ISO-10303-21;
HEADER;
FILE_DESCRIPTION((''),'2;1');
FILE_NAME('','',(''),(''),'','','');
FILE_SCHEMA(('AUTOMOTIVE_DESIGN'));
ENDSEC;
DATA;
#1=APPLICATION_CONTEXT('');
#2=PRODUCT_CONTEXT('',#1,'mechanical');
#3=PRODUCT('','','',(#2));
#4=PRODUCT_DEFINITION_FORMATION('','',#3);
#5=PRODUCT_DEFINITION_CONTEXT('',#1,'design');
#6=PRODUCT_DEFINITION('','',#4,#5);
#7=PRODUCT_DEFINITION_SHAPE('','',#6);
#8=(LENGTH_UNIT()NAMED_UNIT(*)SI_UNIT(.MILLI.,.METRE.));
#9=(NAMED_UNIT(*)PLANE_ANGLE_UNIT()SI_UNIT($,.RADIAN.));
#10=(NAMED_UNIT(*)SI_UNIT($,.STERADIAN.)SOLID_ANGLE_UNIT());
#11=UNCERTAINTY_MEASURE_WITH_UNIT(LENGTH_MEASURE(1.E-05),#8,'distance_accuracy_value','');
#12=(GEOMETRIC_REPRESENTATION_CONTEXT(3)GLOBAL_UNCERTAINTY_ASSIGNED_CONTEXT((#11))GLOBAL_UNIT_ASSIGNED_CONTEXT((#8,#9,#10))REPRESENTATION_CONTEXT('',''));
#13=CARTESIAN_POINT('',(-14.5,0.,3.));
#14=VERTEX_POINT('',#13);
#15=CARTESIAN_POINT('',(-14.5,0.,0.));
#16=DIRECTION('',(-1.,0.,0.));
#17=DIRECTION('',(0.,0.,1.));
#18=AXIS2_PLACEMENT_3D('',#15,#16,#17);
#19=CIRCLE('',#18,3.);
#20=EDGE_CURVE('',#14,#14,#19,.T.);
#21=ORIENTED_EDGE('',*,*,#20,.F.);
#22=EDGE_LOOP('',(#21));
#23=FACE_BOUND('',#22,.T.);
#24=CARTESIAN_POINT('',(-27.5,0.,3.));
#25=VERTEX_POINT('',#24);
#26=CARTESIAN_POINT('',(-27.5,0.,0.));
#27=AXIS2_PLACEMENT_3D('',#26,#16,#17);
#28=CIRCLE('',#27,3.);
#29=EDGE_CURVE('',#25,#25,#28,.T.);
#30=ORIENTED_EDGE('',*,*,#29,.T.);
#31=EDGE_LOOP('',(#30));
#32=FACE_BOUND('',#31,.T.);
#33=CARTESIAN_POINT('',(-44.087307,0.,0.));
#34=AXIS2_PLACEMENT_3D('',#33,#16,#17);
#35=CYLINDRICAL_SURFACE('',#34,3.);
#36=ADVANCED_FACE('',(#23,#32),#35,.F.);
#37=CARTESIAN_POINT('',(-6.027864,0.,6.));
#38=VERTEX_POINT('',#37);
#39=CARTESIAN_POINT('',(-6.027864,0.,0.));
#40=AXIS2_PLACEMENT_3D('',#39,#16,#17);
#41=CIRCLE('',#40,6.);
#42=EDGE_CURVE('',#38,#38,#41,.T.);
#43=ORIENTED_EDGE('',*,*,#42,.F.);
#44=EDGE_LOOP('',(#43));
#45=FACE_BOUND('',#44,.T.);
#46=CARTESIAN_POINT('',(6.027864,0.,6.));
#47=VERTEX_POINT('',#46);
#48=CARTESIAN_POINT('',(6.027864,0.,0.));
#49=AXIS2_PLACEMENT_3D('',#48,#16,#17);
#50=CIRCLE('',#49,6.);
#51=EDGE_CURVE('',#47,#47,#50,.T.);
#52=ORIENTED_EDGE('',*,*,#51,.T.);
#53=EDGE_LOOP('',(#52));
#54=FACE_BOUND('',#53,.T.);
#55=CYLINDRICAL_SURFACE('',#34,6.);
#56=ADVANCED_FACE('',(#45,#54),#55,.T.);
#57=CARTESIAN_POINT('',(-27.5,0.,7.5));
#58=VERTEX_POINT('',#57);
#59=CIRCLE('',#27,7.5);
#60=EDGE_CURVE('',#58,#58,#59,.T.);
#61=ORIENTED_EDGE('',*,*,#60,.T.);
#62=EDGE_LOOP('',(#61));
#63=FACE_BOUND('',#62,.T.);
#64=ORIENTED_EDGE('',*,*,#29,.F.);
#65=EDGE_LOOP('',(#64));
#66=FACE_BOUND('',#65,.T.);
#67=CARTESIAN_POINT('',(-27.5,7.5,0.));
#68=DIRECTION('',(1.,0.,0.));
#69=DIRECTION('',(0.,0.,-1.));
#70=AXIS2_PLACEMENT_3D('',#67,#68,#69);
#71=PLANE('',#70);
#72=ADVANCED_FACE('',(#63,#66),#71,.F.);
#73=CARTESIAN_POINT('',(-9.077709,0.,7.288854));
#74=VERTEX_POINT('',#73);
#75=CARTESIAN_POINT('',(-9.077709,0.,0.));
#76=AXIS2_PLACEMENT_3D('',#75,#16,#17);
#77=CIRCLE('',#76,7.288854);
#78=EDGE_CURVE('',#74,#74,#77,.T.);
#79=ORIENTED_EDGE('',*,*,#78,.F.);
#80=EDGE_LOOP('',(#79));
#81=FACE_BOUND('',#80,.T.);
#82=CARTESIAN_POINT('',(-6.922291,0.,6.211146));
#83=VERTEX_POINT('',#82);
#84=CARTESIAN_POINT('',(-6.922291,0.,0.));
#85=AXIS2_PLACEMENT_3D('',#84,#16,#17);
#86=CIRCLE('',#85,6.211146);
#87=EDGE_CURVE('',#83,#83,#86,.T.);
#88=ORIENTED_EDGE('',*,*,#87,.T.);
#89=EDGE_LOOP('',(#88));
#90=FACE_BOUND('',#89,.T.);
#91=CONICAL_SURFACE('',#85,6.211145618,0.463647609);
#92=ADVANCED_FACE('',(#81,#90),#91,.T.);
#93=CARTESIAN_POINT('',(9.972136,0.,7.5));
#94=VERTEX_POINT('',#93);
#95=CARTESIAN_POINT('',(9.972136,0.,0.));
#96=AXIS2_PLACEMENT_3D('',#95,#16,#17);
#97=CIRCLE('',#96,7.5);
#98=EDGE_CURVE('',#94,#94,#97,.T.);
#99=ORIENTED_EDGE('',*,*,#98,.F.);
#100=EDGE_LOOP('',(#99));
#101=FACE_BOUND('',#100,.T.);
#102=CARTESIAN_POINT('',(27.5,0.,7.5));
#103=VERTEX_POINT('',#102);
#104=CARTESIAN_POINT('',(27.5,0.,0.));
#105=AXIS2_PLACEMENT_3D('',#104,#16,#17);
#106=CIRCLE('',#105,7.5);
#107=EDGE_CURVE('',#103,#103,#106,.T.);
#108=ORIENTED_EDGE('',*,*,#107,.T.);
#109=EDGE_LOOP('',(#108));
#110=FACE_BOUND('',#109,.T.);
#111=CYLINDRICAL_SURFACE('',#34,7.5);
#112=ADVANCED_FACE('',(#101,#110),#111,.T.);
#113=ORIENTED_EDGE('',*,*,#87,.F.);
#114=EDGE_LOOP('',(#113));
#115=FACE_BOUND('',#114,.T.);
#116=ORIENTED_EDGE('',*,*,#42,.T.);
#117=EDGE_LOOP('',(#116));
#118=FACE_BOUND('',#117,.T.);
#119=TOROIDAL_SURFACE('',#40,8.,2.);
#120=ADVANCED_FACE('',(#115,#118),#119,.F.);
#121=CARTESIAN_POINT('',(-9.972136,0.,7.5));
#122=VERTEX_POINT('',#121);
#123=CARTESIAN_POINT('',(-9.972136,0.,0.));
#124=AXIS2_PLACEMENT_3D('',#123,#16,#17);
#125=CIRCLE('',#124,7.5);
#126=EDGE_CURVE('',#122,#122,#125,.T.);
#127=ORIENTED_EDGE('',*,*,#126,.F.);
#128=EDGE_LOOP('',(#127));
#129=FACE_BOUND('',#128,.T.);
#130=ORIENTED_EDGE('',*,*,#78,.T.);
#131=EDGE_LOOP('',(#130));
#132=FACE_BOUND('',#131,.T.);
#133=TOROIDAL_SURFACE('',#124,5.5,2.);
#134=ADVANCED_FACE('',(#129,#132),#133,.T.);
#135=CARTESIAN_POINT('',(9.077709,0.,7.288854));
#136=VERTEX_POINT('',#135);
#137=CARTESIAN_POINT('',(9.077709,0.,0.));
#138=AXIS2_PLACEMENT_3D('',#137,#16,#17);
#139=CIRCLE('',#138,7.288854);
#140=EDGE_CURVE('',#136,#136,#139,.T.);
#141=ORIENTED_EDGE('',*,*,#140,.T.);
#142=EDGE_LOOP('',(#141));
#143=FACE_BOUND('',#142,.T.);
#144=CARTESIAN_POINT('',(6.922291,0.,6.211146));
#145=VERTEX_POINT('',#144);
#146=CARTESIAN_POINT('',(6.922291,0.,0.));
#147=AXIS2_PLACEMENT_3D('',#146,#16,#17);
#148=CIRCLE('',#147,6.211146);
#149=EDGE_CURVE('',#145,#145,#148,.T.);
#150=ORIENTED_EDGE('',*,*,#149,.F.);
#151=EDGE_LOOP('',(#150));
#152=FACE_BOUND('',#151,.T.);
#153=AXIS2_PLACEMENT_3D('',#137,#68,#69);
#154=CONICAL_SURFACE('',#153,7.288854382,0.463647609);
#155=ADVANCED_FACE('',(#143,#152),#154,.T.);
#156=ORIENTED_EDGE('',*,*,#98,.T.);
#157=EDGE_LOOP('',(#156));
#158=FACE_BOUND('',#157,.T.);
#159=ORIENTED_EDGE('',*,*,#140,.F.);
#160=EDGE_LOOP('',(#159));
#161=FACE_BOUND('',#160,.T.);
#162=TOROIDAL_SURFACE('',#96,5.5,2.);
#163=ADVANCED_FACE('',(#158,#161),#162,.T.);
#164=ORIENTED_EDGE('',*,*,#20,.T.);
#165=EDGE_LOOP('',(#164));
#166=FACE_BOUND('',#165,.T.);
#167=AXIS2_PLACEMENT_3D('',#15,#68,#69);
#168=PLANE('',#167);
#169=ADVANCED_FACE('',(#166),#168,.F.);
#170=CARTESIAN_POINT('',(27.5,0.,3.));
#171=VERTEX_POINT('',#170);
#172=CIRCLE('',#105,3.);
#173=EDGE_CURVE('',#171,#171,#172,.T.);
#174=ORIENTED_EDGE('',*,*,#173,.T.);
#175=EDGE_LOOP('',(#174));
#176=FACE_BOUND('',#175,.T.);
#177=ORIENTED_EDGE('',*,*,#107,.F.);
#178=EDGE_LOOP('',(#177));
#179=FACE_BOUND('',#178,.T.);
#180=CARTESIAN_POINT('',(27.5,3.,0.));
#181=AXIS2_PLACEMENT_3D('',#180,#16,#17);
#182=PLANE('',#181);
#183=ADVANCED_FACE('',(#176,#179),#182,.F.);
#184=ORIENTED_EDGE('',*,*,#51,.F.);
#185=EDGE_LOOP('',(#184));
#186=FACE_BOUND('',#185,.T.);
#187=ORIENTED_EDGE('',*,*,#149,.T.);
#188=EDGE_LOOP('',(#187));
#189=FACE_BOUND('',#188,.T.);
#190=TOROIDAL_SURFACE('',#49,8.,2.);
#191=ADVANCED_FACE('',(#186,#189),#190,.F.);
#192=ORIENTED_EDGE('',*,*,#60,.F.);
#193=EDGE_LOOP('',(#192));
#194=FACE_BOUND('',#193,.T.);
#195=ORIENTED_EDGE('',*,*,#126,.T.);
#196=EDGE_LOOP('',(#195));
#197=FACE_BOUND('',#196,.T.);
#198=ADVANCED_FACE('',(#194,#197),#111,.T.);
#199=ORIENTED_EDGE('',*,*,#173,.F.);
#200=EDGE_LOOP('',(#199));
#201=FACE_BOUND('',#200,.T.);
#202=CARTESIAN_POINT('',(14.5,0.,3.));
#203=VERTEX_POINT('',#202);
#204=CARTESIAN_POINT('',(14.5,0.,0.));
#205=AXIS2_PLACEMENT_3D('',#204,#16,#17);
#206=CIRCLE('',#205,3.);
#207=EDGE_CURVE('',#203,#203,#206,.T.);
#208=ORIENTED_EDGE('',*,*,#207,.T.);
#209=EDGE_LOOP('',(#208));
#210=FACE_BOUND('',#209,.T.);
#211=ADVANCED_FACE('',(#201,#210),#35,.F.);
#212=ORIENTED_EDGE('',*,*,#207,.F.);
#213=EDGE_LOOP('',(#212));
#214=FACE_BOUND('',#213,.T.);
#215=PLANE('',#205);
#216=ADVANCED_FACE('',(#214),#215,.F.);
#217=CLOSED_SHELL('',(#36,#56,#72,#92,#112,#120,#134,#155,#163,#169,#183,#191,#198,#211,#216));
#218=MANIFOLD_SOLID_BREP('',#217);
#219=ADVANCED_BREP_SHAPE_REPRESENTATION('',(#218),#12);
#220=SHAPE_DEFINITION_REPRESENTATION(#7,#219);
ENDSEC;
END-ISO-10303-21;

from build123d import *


with BuildPart() as part:
    # Sketch1 → Revolve1 (revolve)
    with BuildSketch(Plane.XY):
        with BuildLine():
            Line((-14.5, 0), (14.5, 0))
            Line((14.5, 0), (14.5, 3))
            Line((14.5, 3), (27.5, 3))
            Line((27.5, 3), (27.5, 7.5))
            Line((27.5, 7.5), (9.972135955, 7.5))
            ThreePointArc((9.972135955, 7.5), (9.512630114, 7.446497979), (9.077708764, 7.288854382))
            Line((9.077708764, 7.288854382), (6.922291236, 6.211145618))
            ThreePointArc((6.922291236, 6.211145618), (6.487369886, 6.053502021), (6.027864045, 6))
            Line((6.027864045, 6), (-6.027864045, 6))
            ThreePointArc((-6.027864045, 6), (-6.487369886, 6.053502021), (-6.922291236, 6.211145618))
            Line((-6.922291236, 6.211145618), (-9.077708764, 7.288854382))
            ThreePointArc((-9.077708764, 7.288854382), (-9.512630114, 7.446497979), (-9.972135955, 7.5))
            Line((-9.972135955, 7.5), (-27.5, 7.5))
            Line((-27.5, 7.5), (-27.5, 3))
            Line((-27.5, 3), (-14.5, 3))
            Line((-14.5, 3), (-14.5, 0))
        make_face()
    revolve(axis=Axis((-44.087306847, 0, 0), (1, 0, 0)))


solid = part.part
